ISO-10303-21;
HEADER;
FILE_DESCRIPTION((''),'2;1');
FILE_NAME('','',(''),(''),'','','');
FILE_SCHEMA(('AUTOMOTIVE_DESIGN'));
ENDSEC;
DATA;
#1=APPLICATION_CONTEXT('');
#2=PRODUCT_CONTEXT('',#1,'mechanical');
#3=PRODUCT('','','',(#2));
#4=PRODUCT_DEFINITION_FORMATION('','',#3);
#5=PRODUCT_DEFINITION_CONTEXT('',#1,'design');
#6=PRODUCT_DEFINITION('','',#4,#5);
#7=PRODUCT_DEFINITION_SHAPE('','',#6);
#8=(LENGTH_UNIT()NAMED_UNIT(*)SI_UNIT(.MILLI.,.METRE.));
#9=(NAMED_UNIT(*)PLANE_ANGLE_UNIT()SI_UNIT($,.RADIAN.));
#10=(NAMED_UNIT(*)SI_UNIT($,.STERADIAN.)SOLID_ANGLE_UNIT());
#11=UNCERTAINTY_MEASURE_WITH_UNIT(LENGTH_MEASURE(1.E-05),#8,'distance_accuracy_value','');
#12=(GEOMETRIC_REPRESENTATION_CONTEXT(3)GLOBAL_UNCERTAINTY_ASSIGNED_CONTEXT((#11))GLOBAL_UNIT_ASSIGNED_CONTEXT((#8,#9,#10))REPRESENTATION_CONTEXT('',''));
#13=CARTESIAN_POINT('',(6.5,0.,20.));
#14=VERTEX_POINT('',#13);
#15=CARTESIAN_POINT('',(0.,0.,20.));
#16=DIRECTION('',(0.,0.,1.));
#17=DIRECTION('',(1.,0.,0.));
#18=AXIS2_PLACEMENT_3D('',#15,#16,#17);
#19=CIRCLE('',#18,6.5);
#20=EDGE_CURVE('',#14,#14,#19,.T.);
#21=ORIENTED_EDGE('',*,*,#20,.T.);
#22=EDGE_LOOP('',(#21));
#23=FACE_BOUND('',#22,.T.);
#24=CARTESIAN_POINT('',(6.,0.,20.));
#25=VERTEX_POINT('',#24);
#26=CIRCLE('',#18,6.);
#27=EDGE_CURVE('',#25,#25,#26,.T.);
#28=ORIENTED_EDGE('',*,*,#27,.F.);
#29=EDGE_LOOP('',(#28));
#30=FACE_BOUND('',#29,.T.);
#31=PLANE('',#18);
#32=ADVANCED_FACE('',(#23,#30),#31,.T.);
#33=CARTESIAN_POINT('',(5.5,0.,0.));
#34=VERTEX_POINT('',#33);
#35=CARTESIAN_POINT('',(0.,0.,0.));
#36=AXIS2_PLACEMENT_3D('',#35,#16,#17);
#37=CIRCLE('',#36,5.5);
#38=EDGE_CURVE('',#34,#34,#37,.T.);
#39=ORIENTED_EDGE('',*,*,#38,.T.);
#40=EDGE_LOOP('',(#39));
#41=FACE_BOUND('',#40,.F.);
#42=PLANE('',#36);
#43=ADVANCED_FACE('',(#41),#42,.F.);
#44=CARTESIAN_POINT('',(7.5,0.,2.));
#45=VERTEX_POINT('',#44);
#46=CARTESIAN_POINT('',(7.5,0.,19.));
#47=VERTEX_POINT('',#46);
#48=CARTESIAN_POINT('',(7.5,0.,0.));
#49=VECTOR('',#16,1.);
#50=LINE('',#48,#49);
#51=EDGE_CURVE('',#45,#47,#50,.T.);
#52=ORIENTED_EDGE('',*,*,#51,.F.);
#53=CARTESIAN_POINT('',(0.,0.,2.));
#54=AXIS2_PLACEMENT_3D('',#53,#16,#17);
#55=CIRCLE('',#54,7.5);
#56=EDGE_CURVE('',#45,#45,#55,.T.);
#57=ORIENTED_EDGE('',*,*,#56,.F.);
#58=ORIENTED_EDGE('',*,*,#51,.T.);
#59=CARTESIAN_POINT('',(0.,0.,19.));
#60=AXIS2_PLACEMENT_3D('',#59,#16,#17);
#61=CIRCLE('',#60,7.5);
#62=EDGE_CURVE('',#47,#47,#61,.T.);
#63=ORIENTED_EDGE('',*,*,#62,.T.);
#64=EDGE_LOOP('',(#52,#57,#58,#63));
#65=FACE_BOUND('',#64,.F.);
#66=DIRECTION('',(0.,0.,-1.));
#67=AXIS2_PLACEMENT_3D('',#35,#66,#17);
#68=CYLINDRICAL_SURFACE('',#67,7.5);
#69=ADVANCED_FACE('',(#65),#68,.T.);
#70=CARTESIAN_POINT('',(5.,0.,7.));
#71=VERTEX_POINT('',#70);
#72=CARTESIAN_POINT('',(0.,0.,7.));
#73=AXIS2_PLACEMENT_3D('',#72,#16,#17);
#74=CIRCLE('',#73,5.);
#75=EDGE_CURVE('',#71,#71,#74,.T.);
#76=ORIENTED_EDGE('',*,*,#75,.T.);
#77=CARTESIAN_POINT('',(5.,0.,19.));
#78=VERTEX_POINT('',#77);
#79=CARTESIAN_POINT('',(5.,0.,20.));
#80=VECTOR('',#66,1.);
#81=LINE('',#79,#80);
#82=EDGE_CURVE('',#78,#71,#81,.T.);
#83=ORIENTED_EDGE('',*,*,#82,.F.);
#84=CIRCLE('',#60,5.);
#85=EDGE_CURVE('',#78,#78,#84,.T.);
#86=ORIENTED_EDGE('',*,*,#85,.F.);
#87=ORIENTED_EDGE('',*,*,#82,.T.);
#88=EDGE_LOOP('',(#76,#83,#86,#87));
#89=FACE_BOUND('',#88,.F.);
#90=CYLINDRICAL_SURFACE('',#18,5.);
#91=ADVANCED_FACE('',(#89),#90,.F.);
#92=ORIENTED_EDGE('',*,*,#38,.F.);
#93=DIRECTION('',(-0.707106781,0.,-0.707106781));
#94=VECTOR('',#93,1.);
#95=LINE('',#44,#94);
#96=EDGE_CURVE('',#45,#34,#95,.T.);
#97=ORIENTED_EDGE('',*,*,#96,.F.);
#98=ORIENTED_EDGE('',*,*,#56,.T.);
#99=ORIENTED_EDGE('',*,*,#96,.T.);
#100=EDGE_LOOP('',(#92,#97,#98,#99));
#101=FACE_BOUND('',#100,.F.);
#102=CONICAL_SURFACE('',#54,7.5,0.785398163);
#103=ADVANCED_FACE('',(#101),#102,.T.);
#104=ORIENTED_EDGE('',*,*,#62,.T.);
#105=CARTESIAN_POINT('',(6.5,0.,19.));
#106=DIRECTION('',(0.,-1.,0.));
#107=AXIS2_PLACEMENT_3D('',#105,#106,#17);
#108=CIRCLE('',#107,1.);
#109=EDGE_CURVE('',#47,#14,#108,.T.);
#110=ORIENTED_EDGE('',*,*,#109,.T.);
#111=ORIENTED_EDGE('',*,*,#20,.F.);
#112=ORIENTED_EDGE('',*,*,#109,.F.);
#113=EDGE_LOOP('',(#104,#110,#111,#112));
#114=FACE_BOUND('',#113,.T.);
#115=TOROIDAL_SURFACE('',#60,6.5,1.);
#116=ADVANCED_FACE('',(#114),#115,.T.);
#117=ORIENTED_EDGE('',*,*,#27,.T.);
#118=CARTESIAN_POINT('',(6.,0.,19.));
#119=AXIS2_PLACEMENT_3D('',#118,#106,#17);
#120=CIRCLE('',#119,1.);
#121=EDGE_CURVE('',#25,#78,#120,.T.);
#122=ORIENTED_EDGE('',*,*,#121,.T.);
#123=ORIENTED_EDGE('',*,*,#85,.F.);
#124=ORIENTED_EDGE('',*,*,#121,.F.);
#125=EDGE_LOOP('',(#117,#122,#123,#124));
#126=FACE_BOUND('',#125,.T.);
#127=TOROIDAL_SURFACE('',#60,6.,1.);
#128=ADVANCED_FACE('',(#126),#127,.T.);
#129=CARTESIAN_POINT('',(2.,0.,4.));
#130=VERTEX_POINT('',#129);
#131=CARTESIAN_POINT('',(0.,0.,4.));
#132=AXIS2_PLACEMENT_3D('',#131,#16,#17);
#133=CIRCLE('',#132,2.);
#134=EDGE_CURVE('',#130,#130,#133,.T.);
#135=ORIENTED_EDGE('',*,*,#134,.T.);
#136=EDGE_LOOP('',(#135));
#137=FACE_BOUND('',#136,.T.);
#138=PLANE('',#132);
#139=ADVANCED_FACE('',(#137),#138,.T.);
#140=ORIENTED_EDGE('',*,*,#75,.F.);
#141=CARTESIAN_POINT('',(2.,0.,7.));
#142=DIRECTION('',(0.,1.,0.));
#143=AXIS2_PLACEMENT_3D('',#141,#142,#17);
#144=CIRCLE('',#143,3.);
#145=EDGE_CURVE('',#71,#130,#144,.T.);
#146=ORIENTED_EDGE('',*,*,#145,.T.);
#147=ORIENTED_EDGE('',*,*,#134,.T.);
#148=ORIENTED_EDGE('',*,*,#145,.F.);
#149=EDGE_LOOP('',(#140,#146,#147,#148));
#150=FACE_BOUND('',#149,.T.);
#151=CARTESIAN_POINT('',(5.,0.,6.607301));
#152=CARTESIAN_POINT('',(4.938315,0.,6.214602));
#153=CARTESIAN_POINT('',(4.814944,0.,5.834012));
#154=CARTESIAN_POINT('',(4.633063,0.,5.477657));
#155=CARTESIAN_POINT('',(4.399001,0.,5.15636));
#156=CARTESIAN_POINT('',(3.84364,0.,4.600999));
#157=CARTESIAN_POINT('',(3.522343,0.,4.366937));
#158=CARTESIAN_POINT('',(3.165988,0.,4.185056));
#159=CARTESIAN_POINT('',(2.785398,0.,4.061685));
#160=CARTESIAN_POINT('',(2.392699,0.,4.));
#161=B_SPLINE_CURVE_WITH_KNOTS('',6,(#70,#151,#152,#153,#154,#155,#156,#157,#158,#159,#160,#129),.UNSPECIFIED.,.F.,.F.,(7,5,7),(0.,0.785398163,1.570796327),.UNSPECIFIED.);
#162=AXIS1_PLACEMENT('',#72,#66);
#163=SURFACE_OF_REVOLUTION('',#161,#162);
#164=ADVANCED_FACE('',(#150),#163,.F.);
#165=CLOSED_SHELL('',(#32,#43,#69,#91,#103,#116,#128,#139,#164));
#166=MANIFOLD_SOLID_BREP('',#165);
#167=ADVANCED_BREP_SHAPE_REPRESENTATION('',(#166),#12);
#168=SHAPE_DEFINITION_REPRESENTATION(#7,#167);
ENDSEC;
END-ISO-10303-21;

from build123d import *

# Parameters (mm, degrees)
F0_R     = 7.5
F1_DEPTH = 20
F2_R     = 5
F3_DEPTH = 16
F4_SIZE  = 2
F5_R     = 1
F6_R     = 3


with BuildPart() as f1:
    # F0 (on Top) → F1 (new body)
    with BuildSketch(Plane.XY):
        Circle(F0_R)
    extrude(amount=F1_DEPTH)

    # F2 (on face) → F3 (cut)
    with BuildSketch(Plane.XY.offset(20)):
        Circle(F2_R)
    extrude(amount=-F3_DEPTH, mode=Mode.SUBTRACT)

    # F4
    f4_edges = [f1.edges().sort_by_distance(p)[0] for p in [
        (-7.5, 0, 0),
    ]]
    chamfer(f4_edges, length=F4_SIZE)

    # F5
    f5_edges = [f1.edges().sort_by_distance(p)[0] for p in [
        (-7.5, 0, 20),
        (-5, 0, 20),
    ]]
    fillet(f5_edges, radius=F5_R)

    # F6
    f6_edges = [f1.edges().sort_by_distance(p)[0] for p in [
        (-5, 0, 4),
    ]]
    fillet(f6_edges, radius=F6_R)


solid = f1.part
